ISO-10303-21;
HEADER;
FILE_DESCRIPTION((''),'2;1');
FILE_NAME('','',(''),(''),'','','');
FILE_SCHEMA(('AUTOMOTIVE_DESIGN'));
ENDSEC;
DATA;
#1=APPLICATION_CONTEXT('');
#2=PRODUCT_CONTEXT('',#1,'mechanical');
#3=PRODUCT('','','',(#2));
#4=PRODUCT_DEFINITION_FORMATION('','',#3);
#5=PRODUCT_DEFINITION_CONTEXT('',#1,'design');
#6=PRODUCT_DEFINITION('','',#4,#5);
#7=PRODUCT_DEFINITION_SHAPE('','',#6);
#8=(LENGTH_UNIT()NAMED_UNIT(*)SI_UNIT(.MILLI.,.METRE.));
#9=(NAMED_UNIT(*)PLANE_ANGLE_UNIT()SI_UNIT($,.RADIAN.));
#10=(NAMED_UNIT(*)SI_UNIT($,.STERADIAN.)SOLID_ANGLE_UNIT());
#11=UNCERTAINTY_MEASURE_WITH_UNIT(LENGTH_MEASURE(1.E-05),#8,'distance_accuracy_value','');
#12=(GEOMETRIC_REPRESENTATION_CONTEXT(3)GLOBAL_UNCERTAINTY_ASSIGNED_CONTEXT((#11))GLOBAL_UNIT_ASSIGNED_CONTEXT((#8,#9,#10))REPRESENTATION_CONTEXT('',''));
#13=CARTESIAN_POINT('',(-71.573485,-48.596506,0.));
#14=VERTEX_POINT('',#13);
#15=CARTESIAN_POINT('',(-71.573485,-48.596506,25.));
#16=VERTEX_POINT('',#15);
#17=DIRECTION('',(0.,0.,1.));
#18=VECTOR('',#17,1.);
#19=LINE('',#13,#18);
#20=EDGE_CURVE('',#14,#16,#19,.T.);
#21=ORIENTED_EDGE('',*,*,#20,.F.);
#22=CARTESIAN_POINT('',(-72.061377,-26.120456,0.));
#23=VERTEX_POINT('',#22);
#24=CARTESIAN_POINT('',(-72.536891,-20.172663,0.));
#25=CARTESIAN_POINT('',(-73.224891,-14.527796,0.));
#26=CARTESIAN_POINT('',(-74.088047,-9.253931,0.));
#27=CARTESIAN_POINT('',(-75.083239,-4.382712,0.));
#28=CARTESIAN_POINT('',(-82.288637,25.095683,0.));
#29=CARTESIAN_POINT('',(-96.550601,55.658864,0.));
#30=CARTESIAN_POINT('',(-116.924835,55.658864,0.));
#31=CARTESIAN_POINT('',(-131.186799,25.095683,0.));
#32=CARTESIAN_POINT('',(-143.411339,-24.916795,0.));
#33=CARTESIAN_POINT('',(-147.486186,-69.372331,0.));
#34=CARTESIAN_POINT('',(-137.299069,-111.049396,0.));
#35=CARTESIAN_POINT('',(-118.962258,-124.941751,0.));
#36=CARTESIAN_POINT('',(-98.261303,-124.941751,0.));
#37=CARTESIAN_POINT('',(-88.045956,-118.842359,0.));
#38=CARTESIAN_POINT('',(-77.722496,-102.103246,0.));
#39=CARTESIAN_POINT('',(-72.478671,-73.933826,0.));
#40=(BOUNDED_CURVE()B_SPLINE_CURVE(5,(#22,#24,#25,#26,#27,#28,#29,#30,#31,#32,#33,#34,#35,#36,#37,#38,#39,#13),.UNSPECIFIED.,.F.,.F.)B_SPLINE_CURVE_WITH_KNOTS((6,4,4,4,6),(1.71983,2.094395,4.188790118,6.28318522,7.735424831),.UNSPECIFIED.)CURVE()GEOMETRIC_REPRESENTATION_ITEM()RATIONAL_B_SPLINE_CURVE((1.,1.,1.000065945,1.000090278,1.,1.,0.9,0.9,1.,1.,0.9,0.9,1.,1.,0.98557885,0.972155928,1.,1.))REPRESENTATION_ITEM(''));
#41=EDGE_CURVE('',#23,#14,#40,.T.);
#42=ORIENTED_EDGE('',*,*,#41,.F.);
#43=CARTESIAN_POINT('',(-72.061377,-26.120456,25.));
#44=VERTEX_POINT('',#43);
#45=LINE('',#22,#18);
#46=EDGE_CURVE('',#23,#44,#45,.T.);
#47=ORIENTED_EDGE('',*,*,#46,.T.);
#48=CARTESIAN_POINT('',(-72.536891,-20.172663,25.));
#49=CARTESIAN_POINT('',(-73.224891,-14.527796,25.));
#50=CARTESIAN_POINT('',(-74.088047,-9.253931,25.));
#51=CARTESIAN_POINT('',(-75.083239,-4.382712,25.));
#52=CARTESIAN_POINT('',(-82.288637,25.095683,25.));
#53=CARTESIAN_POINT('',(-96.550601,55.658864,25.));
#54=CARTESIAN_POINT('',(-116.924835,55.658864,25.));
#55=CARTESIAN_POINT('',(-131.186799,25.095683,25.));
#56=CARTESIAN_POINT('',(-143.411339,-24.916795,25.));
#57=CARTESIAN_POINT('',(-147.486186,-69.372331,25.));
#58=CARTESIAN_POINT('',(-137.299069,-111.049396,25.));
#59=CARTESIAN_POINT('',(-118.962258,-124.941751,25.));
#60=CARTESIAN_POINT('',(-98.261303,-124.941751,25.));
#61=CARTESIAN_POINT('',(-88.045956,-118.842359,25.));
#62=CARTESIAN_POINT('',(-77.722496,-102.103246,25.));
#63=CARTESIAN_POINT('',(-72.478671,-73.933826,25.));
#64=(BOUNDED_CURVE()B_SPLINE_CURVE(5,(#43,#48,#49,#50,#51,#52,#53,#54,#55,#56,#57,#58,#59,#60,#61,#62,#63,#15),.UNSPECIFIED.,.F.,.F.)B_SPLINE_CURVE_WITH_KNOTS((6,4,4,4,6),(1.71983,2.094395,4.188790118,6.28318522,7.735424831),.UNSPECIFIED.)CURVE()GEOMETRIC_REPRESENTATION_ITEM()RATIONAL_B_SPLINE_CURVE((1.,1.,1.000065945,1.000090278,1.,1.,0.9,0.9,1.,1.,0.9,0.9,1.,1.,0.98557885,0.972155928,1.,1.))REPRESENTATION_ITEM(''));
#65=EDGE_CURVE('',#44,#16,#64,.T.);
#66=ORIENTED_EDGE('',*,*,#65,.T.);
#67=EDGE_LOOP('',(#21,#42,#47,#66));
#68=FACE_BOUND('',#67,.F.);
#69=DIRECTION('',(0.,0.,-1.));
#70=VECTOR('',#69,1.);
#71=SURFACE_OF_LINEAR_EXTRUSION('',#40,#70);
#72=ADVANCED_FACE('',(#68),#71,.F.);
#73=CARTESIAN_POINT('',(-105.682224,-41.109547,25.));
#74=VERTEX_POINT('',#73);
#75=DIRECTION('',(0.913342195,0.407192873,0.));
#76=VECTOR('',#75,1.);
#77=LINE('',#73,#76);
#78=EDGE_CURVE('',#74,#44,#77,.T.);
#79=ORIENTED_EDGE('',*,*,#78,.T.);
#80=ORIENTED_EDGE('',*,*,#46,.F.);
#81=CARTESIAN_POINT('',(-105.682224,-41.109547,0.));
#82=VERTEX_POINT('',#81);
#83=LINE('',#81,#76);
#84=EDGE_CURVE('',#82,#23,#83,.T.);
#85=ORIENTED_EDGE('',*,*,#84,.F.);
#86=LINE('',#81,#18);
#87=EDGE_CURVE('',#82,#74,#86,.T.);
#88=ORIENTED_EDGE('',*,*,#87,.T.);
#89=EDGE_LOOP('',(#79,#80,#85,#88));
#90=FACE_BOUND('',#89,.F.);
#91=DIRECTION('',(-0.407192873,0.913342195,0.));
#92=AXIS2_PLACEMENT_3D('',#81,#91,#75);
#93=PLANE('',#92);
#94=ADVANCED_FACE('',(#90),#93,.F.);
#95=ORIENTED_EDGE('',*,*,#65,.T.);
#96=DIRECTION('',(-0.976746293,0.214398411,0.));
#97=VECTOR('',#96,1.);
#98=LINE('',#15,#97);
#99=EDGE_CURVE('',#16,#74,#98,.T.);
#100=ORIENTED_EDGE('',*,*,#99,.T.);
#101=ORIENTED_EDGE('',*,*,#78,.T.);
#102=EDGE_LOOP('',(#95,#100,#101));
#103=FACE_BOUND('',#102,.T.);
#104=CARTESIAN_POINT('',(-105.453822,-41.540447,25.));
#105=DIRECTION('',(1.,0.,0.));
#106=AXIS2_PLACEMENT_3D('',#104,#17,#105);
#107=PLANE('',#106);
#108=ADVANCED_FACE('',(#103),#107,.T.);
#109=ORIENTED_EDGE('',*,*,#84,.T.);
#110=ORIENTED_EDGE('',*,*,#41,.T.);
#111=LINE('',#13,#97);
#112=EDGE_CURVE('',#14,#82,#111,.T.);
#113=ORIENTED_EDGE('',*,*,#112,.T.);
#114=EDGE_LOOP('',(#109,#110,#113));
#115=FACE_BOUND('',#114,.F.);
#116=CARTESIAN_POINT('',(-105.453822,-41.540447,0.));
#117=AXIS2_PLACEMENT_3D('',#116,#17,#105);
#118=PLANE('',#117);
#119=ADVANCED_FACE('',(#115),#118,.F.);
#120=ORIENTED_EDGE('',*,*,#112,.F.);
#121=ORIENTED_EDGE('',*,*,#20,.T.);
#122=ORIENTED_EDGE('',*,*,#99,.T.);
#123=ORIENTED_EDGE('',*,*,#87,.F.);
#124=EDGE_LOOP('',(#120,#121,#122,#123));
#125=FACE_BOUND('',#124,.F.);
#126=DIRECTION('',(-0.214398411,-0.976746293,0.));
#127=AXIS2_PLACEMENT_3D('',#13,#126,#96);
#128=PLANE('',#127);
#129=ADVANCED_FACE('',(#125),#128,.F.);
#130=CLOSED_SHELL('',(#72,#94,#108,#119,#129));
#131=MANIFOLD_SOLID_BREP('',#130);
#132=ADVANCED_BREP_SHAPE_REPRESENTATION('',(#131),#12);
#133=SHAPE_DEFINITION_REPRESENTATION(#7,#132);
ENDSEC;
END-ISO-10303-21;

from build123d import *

# Parameters (mm, degrees)
F2_DEPTH = 25


with BuildPart() as f2:
    # F1 (on face) → F2 (new body)
    with BuildSketch(Plane.XY):
        with BuildLine():
            add(Edge.make_bspline(
                [(-106.737718, -124.941751), (-74.300951, -124.941751), (-71.573485, -48.596506)],
                knots=[0, 0, 0, 1.45224, 1.45224, 1.45224], degree=2, weights=[1, 0.653303, 0.787401]))
            Line((-71.573485, -48.596506), (-105.682224, -41.109547))
            Line((-105.682224, -41.109547), (-72.061377, -26.120456))
            add(Edge.make_bspline(
                [(-72.061377, -26.120456), (-73.175177, -12.188887), (-76.176367, 0.089444), (-106.737718, 125.12064), (-137.299069, 0.089444), (-167.86042, -124.941751), (-106.737718, -124.941751)],
                knots=[1.71983, 1.71983, 1.71983, 2.094395, 2.094395, 4.18879, 4.18879, 6.283185, 6.283185, 6.283185], degree=2, weights=[0.853143, 0.910579, 1, 0.5, 1, 0.5, 1]))
        make_face()
    extrude(amount=F2_DEPTH)


solid = f2.part
